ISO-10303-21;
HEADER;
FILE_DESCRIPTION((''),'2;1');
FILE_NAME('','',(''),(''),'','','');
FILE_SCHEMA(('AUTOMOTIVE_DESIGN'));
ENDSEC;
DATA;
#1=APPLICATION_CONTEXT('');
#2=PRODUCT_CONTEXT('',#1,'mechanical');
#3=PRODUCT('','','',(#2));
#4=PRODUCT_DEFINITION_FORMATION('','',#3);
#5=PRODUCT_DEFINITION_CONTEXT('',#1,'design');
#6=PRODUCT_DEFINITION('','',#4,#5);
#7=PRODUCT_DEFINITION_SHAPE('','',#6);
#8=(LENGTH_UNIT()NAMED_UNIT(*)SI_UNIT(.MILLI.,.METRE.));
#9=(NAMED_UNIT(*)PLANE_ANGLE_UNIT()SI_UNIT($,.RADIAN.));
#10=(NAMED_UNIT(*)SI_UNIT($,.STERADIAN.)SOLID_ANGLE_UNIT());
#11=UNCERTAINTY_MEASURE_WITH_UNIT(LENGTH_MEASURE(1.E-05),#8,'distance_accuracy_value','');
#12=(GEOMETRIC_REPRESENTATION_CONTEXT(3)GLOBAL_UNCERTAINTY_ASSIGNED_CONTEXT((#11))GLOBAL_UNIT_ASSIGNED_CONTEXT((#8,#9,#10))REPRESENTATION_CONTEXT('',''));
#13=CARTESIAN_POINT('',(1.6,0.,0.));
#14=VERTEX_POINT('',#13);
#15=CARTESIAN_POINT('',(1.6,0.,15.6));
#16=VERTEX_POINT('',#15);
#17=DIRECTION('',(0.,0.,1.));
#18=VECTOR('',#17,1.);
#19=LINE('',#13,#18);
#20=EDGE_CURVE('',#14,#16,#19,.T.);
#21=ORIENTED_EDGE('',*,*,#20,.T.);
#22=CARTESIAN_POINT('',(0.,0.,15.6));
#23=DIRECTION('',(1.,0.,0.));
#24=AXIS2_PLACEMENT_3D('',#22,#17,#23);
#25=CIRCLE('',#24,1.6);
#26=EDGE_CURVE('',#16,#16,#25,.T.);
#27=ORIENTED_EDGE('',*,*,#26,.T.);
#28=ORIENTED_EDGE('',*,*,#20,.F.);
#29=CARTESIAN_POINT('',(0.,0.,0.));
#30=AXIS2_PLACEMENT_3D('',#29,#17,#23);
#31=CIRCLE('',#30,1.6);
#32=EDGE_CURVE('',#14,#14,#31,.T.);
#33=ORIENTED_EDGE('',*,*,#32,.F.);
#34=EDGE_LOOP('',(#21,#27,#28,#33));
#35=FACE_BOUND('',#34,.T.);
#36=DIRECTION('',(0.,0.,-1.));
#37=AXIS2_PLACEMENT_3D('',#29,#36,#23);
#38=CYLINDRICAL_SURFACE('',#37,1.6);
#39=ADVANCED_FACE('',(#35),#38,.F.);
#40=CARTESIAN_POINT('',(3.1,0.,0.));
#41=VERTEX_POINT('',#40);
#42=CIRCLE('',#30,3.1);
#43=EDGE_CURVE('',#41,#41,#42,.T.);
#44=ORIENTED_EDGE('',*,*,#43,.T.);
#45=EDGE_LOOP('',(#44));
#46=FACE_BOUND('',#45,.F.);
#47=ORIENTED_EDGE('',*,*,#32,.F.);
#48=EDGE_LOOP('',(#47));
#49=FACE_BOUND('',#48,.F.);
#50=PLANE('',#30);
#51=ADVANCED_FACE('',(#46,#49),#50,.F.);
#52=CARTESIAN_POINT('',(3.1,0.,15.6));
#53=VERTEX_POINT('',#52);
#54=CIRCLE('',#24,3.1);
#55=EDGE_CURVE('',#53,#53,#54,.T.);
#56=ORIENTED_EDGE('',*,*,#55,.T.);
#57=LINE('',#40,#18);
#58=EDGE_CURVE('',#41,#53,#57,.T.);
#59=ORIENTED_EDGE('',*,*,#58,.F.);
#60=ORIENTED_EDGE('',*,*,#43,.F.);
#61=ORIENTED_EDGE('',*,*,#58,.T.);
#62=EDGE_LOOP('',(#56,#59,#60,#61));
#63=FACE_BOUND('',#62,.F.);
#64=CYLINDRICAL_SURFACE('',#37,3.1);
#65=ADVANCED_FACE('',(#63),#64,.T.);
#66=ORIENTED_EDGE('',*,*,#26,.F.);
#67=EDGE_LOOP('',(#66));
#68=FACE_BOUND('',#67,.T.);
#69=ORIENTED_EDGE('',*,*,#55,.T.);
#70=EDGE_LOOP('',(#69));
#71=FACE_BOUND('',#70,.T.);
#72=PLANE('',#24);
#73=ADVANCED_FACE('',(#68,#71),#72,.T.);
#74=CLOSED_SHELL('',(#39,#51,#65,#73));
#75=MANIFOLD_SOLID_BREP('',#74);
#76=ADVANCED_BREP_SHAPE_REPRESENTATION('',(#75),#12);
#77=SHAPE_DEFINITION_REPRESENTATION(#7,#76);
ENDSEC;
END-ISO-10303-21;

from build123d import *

# Parameters (mm, degrees)
SKETCH_R   = 3.1
SKETCH_R_2 = 1.6
PAD_DEPTH  = 15.6


with BuildPart() as part:
    # Sketch → Pad (new body)
    with BuildSketch(Plane.XY):
        Circle(SKETCH_R)
        Circle(SKETCH_R_2, mode=Mode.SUBTRACT)
    extrude(amount=PAD_DEPTH)


solid = part.part
